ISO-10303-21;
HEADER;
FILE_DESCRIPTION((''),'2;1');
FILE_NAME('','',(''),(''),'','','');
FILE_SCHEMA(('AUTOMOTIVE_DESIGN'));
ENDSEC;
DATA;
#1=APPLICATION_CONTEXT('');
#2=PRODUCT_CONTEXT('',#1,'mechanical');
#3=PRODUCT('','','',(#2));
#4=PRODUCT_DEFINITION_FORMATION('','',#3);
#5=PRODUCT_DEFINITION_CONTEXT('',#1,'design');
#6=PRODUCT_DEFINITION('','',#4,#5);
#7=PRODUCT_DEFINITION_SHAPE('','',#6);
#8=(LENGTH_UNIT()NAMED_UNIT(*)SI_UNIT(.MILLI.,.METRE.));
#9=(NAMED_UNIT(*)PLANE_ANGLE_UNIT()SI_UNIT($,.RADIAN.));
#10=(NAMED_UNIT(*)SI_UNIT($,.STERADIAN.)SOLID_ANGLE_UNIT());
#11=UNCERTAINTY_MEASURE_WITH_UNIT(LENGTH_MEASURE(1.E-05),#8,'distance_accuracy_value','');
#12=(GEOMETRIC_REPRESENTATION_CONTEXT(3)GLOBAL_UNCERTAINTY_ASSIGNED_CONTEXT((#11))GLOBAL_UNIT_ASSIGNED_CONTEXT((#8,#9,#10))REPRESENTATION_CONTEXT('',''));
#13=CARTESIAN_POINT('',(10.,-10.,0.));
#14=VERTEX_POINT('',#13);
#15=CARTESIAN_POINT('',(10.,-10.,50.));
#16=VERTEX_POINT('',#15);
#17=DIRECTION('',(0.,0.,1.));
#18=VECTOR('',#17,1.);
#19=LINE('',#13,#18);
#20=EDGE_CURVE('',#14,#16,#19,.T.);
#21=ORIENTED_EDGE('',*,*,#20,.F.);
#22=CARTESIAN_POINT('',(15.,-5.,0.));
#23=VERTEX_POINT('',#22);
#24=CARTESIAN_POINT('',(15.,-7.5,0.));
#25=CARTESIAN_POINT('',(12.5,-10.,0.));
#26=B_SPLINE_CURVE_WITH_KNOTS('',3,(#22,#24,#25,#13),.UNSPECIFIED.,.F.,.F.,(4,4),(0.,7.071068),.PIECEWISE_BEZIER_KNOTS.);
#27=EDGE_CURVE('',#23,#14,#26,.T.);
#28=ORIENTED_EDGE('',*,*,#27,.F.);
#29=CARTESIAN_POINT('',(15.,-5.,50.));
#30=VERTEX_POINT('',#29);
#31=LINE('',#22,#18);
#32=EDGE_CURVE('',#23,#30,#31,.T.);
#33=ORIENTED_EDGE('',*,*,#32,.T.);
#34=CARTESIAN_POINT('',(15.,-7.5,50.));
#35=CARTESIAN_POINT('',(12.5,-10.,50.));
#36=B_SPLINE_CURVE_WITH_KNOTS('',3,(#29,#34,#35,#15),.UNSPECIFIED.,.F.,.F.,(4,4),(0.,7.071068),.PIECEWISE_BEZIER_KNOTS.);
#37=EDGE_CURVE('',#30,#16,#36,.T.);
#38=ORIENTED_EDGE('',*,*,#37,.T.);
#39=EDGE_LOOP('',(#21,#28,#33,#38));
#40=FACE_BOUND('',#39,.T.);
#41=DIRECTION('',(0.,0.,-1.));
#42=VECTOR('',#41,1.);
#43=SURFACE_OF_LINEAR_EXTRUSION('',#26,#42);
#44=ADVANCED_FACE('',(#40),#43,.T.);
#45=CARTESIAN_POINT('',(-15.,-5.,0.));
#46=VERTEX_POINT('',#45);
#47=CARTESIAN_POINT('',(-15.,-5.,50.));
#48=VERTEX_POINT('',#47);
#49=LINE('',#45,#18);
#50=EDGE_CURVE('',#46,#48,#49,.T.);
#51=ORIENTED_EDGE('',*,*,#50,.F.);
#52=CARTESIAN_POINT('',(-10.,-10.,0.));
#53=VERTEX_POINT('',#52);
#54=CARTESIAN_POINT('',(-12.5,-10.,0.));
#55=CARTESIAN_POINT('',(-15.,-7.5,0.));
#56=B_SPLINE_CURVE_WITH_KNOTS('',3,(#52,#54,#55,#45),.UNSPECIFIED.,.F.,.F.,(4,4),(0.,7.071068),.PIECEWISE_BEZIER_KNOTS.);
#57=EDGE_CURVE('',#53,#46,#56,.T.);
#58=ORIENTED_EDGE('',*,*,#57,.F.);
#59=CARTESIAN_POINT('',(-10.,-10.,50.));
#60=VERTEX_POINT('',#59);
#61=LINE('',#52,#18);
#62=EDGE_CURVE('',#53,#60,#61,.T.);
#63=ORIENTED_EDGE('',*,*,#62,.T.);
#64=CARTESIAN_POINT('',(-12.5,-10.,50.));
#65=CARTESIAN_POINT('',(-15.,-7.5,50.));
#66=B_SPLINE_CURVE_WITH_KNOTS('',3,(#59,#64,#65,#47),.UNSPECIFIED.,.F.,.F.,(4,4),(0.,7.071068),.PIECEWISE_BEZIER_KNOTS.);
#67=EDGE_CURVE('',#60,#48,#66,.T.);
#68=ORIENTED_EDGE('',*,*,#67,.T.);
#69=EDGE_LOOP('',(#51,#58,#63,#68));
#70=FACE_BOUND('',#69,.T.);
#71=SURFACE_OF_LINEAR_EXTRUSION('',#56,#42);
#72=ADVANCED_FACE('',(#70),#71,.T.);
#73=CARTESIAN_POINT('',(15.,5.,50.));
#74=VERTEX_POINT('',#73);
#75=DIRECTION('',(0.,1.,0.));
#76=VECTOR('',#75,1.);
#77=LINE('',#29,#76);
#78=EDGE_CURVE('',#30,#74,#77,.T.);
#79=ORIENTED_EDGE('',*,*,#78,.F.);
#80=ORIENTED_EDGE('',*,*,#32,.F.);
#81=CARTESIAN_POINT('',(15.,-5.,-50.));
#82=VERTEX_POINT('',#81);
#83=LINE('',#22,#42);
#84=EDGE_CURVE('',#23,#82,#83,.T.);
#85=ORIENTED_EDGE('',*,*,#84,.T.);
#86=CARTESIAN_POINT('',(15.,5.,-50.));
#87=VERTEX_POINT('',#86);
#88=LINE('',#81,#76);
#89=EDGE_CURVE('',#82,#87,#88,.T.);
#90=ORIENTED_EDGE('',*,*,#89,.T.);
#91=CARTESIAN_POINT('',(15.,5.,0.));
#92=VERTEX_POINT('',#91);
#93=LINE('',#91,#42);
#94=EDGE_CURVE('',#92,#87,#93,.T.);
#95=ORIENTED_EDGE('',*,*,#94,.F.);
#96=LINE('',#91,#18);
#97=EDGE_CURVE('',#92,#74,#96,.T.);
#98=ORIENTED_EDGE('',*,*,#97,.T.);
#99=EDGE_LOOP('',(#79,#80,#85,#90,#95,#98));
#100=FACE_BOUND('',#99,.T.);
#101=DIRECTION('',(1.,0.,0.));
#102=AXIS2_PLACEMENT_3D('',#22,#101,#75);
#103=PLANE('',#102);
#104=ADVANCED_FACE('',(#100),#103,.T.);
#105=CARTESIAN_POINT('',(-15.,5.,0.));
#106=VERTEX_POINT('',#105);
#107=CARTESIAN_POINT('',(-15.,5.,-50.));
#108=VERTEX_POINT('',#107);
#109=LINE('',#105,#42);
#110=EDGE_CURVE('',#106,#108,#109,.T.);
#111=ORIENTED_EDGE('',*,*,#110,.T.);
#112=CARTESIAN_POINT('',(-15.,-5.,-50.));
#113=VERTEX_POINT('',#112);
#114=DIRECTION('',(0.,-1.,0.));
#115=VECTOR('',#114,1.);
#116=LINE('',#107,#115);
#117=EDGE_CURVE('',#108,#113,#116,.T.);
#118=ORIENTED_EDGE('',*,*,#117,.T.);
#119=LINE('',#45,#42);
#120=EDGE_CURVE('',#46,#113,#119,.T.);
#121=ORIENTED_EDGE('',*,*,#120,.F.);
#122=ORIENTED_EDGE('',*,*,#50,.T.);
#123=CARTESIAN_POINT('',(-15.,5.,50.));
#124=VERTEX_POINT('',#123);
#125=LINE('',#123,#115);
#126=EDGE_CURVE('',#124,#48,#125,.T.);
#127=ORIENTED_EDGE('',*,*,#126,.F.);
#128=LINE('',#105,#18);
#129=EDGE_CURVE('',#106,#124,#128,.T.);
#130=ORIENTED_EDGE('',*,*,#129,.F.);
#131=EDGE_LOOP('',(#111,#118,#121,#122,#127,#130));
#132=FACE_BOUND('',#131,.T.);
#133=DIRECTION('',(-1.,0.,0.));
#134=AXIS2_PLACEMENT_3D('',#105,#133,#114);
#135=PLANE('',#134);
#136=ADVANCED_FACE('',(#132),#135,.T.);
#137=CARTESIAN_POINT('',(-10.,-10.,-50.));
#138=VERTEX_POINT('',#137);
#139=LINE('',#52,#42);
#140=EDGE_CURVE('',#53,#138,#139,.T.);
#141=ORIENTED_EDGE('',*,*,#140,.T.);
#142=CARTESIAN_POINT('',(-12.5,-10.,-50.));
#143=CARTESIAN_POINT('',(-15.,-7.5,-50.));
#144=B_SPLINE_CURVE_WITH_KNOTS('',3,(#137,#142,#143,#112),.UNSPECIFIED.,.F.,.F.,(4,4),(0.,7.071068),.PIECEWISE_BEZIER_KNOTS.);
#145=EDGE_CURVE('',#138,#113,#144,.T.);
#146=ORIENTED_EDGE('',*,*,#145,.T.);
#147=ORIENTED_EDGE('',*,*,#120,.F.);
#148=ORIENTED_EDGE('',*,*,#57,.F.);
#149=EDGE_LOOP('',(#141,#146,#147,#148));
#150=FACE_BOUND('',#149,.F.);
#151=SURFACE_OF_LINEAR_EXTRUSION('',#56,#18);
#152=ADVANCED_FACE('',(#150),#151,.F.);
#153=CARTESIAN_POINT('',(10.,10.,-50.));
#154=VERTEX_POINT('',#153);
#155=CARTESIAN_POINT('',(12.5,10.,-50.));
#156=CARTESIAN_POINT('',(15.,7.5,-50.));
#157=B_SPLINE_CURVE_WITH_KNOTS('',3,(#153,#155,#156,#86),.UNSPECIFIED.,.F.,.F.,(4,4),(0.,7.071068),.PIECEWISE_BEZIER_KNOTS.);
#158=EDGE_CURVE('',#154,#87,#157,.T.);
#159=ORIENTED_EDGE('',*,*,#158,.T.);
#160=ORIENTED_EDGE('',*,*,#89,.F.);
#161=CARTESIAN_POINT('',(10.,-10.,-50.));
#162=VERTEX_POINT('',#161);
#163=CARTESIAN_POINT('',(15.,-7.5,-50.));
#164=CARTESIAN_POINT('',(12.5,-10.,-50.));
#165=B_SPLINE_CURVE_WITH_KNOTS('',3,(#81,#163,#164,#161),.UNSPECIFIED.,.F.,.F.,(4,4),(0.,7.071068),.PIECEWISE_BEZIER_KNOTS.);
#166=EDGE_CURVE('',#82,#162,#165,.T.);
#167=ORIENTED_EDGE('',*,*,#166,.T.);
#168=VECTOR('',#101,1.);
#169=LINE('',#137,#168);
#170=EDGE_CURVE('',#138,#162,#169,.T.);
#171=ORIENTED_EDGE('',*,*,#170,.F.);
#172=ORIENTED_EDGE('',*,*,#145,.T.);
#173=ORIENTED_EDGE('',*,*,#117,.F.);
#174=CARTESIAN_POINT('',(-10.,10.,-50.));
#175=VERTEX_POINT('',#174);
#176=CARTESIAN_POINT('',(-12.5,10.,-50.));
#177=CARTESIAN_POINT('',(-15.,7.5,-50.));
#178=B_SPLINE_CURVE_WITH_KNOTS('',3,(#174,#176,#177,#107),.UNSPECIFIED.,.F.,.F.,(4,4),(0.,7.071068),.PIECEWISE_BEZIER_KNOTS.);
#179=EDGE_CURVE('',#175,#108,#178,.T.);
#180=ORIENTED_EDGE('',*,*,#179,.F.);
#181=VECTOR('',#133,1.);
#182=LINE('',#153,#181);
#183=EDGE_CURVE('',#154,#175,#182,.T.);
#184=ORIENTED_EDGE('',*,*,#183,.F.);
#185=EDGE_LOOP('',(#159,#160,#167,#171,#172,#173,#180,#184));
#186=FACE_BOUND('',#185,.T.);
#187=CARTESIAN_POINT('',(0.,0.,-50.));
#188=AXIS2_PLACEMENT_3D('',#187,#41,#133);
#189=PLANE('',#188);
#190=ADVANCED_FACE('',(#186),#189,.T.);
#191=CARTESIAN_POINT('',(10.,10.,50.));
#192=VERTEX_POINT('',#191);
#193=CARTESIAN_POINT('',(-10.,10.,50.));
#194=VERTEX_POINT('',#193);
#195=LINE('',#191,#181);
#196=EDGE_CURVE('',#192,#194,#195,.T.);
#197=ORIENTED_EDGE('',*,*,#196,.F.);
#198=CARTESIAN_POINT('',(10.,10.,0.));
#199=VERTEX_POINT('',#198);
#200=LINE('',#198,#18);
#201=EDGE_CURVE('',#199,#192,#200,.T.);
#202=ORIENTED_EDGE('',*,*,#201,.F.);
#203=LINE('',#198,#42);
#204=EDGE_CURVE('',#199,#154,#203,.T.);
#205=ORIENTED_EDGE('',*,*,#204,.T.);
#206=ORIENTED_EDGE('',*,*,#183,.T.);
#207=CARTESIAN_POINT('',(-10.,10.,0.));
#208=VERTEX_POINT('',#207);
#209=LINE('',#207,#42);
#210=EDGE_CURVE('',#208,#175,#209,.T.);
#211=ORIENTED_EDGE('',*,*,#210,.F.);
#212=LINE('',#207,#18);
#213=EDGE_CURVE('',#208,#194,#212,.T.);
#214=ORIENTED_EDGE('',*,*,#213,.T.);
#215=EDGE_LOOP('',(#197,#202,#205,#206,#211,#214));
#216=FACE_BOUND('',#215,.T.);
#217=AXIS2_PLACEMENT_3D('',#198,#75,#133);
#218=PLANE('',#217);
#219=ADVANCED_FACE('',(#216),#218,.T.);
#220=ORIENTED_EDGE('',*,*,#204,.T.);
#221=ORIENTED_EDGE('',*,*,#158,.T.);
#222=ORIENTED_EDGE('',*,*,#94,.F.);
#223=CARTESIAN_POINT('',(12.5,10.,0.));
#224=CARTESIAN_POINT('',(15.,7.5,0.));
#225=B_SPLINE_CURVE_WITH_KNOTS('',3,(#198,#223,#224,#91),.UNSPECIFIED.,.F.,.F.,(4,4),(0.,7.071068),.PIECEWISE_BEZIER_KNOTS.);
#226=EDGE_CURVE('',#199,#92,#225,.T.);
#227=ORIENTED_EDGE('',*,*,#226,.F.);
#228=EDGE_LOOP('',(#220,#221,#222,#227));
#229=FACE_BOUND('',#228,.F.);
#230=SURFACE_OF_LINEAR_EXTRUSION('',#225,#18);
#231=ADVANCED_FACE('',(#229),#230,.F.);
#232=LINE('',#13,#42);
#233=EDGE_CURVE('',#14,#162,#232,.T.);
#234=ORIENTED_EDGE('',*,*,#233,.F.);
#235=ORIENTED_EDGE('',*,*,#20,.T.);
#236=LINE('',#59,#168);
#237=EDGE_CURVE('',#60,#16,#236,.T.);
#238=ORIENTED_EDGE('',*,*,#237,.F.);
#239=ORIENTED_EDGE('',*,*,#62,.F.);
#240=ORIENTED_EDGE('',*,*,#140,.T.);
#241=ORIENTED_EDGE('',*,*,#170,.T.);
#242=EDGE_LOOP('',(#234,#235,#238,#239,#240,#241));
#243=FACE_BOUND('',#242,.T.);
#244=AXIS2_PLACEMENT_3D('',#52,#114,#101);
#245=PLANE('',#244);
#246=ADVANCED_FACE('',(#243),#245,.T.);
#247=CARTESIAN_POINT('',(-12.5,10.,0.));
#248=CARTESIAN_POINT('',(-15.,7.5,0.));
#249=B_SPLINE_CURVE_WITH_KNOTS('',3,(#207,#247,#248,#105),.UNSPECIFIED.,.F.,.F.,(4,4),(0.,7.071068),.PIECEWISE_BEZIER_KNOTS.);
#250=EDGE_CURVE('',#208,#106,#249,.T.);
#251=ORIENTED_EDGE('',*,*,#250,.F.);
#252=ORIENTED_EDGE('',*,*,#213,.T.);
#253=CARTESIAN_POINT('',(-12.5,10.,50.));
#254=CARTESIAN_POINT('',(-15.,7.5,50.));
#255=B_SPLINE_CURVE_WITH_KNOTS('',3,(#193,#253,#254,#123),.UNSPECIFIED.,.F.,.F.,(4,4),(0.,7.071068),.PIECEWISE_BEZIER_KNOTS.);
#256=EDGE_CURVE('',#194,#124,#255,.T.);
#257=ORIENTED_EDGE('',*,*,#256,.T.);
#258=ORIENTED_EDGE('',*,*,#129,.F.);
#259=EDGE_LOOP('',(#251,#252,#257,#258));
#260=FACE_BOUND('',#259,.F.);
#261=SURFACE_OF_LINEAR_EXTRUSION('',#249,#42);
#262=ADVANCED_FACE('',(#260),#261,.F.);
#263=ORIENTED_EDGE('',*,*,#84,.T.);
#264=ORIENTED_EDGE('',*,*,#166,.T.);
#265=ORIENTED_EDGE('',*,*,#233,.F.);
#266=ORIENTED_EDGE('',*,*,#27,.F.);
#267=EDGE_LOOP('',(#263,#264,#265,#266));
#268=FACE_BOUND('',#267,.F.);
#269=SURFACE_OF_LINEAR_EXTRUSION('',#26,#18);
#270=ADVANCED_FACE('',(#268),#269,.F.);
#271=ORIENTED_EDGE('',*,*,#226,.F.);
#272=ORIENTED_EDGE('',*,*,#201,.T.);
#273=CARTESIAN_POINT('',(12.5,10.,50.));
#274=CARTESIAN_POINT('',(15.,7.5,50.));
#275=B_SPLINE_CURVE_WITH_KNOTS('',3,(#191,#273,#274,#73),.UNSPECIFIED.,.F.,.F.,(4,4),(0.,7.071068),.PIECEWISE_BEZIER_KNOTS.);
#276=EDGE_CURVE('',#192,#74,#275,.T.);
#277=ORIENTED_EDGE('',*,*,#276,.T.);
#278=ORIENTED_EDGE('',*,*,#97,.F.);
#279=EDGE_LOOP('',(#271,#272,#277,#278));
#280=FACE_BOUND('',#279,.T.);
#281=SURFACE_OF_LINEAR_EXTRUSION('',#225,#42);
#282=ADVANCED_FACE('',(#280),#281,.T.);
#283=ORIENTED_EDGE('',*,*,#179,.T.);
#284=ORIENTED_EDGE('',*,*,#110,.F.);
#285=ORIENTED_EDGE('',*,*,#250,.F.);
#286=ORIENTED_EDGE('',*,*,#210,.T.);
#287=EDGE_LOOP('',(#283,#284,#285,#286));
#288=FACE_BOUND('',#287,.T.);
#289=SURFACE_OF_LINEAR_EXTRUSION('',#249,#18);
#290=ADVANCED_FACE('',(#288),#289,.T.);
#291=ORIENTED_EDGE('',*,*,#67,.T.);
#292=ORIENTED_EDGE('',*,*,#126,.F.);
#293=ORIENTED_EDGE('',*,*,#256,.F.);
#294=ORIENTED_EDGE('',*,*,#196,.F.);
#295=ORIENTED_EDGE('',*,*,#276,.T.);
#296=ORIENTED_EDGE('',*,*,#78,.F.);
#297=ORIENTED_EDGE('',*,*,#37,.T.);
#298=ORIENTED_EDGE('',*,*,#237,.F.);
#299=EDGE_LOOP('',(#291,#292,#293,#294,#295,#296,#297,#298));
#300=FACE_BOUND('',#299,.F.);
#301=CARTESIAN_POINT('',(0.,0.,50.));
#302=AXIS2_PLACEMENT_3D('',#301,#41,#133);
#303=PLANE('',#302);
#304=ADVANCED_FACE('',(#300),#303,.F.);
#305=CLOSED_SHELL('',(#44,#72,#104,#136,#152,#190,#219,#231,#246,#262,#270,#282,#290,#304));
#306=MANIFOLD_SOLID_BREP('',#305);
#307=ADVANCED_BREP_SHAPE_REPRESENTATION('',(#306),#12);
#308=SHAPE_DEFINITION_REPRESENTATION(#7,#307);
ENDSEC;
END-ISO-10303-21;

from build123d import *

# Parameters (mm, degrees)
F1_DEPTH = 50


with BuildPart() as f1:
    # F0 (on Top) → F1 (new body, symmetric)
    with BuildSketch(Plane.XY):
        with BuildLine():
            add(Edge.make_bspline(
                [(10, 10), (12.5, 10), (15, 7.5), (15, 5)],
                knots=[0, 0, 0, 0, 7.071068, 7.071068, 7.071068, 7.071068], degree=3))
            Line((10, 10), (-10, 10))
            add(Edge.make_bspline(
                [(-10, 10), (-12.5, 10), (-15, 7.5), (-15, 5)],
                knots=[0, 0, 0, 0, 7.071068, 7.071068, 7.071068, 7.071068], degree=3))
            Line((-15, 5), (-15, -5))
            add(Edge.make_bspline(
                [(-10, -10), (-12.5, -10), (-15, -7.5), (-15, -5)],
                knots=[0, 0, 0, 0, 7.071068, 7.071068, 7.071068, 7.071068], degree=3))
            Line((-10, -10), (10, -10))
            add(Edge.make_bspline(
                [(15, -5), (15, -7.5), (12.5, -10), (10, -10)],
                knots=[0, 0, 0, 0, 7.071068, 7.071068, 7.071068, 7.071068], degree=3))
            Line((15, -5), (15, 5))
        make_face()
    extrude(amount=F1_DEPTH, both=True)


solid = f1.part
